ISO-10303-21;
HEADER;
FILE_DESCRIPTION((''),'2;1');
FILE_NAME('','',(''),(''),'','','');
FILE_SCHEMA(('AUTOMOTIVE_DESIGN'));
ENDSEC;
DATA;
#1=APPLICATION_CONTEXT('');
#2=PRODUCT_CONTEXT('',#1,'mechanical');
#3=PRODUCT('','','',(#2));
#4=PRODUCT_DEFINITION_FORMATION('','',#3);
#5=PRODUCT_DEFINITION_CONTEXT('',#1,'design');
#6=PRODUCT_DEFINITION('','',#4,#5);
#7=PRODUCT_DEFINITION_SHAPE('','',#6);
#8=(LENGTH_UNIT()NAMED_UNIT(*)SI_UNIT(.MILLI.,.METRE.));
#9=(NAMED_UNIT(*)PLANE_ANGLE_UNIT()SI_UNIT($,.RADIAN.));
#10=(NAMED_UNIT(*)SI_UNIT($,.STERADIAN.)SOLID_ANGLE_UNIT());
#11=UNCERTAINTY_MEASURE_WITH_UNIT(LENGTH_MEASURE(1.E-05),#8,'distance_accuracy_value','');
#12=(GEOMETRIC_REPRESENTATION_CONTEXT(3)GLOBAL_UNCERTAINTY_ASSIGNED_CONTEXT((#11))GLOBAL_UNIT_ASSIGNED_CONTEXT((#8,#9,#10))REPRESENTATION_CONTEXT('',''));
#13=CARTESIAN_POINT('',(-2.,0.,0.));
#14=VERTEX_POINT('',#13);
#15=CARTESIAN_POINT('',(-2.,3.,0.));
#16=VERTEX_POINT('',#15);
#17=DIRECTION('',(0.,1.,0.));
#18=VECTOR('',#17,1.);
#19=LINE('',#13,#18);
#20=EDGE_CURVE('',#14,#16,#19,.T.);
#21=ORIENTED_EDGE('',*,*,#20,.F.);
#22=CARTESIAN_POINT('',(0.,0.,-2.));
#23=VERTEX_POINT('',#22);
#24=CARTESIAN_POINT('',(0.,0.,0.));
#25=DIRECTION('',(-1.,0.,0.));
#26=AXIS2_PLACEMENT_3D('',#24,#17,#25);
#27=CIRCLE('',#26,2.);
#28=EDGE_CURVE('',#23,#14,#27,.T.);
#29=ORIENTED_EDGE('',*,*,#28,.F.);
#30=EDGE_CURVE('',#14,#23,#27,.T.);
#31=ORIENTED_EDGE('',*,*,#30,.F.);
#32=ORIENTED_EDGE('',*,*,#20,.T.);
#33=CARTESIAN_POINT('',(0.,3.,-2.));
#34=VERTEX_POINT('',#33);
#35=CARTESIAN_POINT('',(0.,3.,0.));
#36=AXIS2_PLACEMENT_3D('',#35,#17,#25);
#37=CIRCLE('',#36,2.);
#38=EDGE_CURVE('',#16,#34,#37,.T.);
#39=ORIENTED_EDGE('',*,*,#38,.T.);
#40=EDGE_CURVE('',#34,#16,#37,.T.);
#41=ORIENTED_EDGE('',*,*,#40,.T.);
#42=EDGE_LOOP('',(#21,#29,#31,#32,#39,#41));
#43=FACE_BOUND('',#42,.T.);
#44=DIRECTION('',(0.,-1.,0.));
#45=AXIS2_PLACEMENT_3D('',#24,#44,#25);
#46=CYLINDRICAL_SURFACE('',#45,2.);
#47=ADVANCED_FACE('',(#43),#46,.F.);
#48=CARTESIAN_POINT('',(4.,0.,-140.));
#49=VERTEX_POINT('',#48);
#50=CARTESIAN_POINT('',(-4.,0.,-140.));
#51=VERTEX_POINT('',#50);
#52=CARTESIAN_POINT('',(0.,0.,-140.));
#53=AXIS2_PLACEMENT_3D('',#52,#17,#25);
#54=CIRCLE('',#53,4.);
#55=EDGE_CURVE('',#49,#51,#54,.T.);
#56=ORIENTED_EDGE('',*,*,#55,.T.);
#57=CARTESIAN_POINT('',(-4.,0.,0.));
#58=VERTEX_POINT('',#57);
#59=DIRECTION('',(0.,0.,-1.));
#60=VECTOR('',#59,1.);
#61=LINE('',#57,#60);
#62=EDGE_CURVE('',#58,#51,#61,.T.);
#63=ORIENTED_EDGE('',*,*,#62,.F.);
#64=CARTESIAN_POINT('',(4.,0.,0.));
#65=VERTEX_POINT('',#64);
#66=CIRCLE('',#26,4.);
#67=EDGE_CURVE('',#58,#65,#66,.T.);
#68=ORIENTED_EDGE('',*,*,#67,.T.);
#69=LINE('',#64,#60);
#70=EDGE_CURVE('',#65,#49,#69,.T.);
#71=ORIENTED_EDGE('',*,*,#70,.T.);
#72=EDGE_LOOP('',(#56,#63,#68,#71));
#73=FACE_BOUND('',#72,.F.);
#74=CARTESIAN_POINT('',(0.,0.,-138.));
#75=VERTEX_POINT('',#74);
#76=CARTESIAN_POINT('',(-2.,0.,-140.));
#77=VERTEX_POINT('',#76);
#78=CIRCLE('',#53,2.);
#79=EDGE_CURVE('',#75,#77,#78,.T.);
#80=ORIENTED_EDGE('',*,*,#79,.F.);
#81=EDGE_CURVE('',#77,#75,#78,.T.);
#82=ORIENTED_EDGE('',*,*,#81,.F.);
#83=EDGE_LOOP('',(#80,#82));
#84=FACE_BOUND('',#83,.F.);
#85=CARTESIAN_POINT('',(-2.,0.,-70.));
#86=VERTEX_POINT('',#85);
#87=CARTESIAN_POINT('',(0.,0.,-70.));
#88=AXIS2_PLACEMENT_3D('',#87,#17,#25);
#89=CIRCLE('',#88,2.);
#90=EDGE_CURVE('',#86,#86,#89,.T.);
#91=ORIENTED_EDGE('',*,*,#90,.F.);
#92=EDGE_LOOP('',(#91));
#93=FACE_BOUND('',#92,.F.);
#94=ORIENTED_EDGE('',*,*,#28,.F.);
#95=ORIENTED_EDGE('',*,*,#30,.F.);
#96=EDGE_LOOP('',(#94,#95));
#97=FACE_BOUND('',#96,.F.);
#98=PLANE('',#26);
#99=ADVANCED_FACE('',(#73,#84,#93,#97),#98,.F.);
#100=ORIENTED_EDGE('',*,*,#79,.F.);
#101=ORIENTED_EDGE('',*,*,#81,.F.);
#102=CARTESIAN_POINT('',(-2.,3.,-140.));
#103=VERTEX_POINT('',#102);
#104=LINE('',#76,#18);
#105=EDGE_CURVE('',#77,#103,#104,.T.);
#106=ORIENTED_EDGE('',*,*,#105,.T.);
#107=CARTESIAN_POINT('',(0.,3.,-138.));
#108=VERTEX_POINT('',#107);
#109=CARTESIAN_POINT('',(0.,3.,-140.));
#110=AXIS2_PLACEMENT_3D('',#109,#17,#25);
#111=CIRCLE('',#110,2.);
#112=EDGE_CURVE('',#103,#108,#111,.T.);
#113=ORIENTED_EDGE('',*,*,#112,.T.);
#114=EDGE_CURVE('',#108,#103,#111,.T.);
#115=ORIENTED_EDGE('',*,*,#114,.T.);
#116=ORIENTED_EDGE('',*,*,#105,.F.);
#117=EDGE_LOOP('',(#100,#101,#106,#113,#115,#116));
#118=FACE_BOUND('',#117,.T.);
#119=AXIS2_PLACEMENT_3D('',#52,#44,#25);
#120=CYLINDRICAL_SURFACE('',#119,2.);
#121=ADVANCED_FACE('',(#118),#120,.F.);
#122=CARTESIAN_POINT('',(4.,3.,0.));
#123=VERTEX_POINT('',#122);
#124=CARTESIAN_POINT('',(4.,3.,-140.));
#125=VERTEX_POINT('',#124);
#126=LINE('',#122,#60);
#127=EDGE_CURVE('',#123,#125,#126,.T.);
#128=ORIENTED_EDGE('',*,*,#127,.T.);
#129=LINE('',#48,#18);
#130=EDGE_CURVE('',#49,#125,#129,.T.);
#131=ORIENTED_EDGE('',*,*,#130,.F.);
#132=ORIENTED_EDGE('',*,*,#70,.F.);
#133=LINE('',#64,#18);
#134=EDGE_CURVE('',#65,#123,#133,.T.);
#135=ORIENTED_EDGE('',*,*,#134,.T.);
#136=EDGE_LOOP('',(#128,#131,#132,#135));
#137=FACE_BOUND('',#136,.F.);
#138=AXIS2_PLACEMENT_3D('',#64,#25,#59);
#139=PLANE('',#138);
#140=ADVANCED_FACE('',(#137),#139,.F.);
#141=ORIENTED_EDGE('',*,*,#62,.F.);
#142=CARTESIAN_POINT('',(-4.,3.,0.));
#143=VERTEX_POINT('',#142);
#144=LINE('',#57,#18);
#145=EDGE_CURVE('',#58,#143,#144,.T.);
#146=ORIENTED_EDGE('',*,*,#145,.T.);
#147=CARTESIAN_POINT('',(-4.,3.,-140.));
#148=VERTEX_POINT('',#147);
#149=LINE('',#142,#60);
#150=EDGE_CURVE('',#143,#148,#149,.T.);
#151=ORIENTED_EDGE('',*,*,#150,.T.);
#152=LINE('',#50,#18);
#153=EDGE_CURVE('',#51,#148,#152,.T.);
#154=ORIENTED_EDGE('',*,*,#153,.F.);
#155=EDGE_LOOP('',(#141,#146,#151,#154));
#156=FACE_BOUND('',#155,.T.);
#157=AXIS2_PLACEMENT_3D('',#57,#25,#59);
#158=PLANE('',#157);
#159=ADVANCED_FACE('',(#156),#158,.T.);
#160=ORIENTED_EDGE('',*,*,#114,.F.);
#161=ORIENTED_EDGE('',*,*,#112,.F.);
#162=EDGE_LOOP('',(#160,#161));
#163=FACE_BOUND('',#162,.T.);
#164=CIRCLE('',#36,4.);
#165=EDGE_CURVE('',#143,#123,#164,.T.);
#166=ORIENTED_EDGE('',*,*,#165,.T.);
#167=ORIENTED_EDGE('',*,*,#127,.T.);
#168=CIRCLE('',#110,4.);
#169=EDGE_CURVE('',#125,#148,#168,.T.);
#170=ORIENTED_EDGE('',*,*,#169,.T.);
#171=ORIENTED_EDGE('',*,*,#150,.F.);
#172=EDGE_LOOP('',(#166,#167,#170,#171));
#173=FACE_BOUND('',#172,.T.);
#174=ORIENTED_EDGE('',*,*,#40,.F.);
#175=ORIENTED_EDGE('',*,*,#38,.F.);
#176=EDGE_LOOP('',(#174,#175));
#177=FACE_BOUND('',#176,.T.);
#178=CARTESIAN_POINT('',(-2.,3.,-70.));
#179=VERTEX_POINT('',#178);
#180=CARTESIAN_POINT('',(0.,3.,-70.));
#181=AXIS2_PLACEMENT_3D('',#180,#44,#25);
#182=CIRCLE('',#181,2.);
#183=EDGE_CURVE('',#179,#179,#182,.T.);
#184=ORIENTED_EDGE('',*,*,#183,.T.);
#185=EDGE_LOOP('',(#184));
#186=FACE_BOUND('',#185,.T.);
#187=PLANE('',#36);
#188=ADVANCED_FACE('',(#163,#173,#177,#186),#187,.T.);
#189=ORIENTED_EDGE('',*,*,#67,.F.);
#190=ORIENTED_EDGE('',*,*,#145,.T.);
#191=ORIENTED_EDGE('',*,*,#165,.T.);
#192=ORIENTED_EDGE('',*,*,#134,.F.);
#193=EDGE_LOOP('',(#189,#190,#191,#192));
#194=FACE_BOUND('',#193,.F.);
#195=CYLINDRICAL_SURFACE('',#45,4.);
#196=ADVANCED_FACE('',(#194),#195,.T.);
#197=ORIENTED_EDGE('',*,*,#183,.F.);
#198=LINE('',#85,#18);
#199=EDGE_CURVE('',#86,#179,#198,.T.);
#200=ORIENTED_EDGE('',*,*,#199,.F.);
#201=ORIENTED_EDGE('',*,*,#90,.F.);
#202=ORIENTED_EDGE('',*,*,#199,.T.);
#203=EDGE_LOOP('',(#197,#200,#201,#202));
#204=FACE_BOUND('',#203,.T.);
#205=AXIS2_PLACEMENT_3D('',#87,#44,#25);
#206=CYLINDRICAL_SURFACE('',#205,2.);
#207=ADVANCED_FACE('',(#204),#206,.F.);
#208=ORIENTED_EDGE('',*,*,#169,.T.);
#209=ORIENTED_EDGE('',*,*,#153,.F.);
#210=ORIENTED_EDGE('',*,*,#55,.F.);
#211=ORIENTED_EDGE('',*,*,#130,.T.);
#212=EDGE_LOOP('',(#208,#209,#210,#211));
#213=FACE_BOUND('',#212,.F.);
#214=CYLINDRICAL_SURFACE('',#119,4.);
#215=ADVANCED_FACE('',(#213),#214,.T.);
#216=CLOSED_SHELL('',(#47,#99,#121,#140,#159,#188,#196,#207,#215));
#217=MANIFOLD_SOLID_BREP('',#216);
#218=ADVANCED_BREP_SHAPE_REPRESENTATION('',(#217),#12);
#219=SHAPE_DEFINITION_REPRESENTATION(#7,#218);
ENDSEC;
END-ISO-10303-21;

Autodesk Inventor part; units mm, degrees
ref_plane "YZ Plane" through (0, 0, 0) normal (1, 0, 0) x (0, 1, 0)
ref_plane "XZ Plane" through (0, 0, 0) normal (0, 1, 0) x (-1, 0, 0)
ref_plane "XY Plane" through (0, 0, 0) normal (0, 0, 1) x (1, 0, 0)
sketch "Sketch1" plane through (0, 0, 0) normal (0, 1, 0) x (-1, 0, 0)
  circle A0 centre (0, 0) radius 2
  line L0 (0, 0) -> (0, -140)
  circle A1 centre (0, -140) radius 2
  circle A2 centre (0, -140) radius 4
  circle A3 centre (0, 0) radius 4
  line L1 (4, 0) -> (4, -140)
  line L2 (-4, 0) -> (-4, -140)
  line L3 (0, 0) -> (0, -70)
  circle A4 centre (0, -70) radius 2
  dimension "d0" = 4
  dimension "d1" = 140
  dimension "d2" = 4
  dimension "d3" = 8
  dimension "d4" = 8
  dimension "d7" = 70
  dimension "d8" = 4
extrude "Extrusion1" add sketch "Sketch1" along normal blind 3 contours A3 | A3 L1 A2 L0 A4 | L0 A4 A2 L2 A3 | A2
properties part number "tussenarmen_sturen"
